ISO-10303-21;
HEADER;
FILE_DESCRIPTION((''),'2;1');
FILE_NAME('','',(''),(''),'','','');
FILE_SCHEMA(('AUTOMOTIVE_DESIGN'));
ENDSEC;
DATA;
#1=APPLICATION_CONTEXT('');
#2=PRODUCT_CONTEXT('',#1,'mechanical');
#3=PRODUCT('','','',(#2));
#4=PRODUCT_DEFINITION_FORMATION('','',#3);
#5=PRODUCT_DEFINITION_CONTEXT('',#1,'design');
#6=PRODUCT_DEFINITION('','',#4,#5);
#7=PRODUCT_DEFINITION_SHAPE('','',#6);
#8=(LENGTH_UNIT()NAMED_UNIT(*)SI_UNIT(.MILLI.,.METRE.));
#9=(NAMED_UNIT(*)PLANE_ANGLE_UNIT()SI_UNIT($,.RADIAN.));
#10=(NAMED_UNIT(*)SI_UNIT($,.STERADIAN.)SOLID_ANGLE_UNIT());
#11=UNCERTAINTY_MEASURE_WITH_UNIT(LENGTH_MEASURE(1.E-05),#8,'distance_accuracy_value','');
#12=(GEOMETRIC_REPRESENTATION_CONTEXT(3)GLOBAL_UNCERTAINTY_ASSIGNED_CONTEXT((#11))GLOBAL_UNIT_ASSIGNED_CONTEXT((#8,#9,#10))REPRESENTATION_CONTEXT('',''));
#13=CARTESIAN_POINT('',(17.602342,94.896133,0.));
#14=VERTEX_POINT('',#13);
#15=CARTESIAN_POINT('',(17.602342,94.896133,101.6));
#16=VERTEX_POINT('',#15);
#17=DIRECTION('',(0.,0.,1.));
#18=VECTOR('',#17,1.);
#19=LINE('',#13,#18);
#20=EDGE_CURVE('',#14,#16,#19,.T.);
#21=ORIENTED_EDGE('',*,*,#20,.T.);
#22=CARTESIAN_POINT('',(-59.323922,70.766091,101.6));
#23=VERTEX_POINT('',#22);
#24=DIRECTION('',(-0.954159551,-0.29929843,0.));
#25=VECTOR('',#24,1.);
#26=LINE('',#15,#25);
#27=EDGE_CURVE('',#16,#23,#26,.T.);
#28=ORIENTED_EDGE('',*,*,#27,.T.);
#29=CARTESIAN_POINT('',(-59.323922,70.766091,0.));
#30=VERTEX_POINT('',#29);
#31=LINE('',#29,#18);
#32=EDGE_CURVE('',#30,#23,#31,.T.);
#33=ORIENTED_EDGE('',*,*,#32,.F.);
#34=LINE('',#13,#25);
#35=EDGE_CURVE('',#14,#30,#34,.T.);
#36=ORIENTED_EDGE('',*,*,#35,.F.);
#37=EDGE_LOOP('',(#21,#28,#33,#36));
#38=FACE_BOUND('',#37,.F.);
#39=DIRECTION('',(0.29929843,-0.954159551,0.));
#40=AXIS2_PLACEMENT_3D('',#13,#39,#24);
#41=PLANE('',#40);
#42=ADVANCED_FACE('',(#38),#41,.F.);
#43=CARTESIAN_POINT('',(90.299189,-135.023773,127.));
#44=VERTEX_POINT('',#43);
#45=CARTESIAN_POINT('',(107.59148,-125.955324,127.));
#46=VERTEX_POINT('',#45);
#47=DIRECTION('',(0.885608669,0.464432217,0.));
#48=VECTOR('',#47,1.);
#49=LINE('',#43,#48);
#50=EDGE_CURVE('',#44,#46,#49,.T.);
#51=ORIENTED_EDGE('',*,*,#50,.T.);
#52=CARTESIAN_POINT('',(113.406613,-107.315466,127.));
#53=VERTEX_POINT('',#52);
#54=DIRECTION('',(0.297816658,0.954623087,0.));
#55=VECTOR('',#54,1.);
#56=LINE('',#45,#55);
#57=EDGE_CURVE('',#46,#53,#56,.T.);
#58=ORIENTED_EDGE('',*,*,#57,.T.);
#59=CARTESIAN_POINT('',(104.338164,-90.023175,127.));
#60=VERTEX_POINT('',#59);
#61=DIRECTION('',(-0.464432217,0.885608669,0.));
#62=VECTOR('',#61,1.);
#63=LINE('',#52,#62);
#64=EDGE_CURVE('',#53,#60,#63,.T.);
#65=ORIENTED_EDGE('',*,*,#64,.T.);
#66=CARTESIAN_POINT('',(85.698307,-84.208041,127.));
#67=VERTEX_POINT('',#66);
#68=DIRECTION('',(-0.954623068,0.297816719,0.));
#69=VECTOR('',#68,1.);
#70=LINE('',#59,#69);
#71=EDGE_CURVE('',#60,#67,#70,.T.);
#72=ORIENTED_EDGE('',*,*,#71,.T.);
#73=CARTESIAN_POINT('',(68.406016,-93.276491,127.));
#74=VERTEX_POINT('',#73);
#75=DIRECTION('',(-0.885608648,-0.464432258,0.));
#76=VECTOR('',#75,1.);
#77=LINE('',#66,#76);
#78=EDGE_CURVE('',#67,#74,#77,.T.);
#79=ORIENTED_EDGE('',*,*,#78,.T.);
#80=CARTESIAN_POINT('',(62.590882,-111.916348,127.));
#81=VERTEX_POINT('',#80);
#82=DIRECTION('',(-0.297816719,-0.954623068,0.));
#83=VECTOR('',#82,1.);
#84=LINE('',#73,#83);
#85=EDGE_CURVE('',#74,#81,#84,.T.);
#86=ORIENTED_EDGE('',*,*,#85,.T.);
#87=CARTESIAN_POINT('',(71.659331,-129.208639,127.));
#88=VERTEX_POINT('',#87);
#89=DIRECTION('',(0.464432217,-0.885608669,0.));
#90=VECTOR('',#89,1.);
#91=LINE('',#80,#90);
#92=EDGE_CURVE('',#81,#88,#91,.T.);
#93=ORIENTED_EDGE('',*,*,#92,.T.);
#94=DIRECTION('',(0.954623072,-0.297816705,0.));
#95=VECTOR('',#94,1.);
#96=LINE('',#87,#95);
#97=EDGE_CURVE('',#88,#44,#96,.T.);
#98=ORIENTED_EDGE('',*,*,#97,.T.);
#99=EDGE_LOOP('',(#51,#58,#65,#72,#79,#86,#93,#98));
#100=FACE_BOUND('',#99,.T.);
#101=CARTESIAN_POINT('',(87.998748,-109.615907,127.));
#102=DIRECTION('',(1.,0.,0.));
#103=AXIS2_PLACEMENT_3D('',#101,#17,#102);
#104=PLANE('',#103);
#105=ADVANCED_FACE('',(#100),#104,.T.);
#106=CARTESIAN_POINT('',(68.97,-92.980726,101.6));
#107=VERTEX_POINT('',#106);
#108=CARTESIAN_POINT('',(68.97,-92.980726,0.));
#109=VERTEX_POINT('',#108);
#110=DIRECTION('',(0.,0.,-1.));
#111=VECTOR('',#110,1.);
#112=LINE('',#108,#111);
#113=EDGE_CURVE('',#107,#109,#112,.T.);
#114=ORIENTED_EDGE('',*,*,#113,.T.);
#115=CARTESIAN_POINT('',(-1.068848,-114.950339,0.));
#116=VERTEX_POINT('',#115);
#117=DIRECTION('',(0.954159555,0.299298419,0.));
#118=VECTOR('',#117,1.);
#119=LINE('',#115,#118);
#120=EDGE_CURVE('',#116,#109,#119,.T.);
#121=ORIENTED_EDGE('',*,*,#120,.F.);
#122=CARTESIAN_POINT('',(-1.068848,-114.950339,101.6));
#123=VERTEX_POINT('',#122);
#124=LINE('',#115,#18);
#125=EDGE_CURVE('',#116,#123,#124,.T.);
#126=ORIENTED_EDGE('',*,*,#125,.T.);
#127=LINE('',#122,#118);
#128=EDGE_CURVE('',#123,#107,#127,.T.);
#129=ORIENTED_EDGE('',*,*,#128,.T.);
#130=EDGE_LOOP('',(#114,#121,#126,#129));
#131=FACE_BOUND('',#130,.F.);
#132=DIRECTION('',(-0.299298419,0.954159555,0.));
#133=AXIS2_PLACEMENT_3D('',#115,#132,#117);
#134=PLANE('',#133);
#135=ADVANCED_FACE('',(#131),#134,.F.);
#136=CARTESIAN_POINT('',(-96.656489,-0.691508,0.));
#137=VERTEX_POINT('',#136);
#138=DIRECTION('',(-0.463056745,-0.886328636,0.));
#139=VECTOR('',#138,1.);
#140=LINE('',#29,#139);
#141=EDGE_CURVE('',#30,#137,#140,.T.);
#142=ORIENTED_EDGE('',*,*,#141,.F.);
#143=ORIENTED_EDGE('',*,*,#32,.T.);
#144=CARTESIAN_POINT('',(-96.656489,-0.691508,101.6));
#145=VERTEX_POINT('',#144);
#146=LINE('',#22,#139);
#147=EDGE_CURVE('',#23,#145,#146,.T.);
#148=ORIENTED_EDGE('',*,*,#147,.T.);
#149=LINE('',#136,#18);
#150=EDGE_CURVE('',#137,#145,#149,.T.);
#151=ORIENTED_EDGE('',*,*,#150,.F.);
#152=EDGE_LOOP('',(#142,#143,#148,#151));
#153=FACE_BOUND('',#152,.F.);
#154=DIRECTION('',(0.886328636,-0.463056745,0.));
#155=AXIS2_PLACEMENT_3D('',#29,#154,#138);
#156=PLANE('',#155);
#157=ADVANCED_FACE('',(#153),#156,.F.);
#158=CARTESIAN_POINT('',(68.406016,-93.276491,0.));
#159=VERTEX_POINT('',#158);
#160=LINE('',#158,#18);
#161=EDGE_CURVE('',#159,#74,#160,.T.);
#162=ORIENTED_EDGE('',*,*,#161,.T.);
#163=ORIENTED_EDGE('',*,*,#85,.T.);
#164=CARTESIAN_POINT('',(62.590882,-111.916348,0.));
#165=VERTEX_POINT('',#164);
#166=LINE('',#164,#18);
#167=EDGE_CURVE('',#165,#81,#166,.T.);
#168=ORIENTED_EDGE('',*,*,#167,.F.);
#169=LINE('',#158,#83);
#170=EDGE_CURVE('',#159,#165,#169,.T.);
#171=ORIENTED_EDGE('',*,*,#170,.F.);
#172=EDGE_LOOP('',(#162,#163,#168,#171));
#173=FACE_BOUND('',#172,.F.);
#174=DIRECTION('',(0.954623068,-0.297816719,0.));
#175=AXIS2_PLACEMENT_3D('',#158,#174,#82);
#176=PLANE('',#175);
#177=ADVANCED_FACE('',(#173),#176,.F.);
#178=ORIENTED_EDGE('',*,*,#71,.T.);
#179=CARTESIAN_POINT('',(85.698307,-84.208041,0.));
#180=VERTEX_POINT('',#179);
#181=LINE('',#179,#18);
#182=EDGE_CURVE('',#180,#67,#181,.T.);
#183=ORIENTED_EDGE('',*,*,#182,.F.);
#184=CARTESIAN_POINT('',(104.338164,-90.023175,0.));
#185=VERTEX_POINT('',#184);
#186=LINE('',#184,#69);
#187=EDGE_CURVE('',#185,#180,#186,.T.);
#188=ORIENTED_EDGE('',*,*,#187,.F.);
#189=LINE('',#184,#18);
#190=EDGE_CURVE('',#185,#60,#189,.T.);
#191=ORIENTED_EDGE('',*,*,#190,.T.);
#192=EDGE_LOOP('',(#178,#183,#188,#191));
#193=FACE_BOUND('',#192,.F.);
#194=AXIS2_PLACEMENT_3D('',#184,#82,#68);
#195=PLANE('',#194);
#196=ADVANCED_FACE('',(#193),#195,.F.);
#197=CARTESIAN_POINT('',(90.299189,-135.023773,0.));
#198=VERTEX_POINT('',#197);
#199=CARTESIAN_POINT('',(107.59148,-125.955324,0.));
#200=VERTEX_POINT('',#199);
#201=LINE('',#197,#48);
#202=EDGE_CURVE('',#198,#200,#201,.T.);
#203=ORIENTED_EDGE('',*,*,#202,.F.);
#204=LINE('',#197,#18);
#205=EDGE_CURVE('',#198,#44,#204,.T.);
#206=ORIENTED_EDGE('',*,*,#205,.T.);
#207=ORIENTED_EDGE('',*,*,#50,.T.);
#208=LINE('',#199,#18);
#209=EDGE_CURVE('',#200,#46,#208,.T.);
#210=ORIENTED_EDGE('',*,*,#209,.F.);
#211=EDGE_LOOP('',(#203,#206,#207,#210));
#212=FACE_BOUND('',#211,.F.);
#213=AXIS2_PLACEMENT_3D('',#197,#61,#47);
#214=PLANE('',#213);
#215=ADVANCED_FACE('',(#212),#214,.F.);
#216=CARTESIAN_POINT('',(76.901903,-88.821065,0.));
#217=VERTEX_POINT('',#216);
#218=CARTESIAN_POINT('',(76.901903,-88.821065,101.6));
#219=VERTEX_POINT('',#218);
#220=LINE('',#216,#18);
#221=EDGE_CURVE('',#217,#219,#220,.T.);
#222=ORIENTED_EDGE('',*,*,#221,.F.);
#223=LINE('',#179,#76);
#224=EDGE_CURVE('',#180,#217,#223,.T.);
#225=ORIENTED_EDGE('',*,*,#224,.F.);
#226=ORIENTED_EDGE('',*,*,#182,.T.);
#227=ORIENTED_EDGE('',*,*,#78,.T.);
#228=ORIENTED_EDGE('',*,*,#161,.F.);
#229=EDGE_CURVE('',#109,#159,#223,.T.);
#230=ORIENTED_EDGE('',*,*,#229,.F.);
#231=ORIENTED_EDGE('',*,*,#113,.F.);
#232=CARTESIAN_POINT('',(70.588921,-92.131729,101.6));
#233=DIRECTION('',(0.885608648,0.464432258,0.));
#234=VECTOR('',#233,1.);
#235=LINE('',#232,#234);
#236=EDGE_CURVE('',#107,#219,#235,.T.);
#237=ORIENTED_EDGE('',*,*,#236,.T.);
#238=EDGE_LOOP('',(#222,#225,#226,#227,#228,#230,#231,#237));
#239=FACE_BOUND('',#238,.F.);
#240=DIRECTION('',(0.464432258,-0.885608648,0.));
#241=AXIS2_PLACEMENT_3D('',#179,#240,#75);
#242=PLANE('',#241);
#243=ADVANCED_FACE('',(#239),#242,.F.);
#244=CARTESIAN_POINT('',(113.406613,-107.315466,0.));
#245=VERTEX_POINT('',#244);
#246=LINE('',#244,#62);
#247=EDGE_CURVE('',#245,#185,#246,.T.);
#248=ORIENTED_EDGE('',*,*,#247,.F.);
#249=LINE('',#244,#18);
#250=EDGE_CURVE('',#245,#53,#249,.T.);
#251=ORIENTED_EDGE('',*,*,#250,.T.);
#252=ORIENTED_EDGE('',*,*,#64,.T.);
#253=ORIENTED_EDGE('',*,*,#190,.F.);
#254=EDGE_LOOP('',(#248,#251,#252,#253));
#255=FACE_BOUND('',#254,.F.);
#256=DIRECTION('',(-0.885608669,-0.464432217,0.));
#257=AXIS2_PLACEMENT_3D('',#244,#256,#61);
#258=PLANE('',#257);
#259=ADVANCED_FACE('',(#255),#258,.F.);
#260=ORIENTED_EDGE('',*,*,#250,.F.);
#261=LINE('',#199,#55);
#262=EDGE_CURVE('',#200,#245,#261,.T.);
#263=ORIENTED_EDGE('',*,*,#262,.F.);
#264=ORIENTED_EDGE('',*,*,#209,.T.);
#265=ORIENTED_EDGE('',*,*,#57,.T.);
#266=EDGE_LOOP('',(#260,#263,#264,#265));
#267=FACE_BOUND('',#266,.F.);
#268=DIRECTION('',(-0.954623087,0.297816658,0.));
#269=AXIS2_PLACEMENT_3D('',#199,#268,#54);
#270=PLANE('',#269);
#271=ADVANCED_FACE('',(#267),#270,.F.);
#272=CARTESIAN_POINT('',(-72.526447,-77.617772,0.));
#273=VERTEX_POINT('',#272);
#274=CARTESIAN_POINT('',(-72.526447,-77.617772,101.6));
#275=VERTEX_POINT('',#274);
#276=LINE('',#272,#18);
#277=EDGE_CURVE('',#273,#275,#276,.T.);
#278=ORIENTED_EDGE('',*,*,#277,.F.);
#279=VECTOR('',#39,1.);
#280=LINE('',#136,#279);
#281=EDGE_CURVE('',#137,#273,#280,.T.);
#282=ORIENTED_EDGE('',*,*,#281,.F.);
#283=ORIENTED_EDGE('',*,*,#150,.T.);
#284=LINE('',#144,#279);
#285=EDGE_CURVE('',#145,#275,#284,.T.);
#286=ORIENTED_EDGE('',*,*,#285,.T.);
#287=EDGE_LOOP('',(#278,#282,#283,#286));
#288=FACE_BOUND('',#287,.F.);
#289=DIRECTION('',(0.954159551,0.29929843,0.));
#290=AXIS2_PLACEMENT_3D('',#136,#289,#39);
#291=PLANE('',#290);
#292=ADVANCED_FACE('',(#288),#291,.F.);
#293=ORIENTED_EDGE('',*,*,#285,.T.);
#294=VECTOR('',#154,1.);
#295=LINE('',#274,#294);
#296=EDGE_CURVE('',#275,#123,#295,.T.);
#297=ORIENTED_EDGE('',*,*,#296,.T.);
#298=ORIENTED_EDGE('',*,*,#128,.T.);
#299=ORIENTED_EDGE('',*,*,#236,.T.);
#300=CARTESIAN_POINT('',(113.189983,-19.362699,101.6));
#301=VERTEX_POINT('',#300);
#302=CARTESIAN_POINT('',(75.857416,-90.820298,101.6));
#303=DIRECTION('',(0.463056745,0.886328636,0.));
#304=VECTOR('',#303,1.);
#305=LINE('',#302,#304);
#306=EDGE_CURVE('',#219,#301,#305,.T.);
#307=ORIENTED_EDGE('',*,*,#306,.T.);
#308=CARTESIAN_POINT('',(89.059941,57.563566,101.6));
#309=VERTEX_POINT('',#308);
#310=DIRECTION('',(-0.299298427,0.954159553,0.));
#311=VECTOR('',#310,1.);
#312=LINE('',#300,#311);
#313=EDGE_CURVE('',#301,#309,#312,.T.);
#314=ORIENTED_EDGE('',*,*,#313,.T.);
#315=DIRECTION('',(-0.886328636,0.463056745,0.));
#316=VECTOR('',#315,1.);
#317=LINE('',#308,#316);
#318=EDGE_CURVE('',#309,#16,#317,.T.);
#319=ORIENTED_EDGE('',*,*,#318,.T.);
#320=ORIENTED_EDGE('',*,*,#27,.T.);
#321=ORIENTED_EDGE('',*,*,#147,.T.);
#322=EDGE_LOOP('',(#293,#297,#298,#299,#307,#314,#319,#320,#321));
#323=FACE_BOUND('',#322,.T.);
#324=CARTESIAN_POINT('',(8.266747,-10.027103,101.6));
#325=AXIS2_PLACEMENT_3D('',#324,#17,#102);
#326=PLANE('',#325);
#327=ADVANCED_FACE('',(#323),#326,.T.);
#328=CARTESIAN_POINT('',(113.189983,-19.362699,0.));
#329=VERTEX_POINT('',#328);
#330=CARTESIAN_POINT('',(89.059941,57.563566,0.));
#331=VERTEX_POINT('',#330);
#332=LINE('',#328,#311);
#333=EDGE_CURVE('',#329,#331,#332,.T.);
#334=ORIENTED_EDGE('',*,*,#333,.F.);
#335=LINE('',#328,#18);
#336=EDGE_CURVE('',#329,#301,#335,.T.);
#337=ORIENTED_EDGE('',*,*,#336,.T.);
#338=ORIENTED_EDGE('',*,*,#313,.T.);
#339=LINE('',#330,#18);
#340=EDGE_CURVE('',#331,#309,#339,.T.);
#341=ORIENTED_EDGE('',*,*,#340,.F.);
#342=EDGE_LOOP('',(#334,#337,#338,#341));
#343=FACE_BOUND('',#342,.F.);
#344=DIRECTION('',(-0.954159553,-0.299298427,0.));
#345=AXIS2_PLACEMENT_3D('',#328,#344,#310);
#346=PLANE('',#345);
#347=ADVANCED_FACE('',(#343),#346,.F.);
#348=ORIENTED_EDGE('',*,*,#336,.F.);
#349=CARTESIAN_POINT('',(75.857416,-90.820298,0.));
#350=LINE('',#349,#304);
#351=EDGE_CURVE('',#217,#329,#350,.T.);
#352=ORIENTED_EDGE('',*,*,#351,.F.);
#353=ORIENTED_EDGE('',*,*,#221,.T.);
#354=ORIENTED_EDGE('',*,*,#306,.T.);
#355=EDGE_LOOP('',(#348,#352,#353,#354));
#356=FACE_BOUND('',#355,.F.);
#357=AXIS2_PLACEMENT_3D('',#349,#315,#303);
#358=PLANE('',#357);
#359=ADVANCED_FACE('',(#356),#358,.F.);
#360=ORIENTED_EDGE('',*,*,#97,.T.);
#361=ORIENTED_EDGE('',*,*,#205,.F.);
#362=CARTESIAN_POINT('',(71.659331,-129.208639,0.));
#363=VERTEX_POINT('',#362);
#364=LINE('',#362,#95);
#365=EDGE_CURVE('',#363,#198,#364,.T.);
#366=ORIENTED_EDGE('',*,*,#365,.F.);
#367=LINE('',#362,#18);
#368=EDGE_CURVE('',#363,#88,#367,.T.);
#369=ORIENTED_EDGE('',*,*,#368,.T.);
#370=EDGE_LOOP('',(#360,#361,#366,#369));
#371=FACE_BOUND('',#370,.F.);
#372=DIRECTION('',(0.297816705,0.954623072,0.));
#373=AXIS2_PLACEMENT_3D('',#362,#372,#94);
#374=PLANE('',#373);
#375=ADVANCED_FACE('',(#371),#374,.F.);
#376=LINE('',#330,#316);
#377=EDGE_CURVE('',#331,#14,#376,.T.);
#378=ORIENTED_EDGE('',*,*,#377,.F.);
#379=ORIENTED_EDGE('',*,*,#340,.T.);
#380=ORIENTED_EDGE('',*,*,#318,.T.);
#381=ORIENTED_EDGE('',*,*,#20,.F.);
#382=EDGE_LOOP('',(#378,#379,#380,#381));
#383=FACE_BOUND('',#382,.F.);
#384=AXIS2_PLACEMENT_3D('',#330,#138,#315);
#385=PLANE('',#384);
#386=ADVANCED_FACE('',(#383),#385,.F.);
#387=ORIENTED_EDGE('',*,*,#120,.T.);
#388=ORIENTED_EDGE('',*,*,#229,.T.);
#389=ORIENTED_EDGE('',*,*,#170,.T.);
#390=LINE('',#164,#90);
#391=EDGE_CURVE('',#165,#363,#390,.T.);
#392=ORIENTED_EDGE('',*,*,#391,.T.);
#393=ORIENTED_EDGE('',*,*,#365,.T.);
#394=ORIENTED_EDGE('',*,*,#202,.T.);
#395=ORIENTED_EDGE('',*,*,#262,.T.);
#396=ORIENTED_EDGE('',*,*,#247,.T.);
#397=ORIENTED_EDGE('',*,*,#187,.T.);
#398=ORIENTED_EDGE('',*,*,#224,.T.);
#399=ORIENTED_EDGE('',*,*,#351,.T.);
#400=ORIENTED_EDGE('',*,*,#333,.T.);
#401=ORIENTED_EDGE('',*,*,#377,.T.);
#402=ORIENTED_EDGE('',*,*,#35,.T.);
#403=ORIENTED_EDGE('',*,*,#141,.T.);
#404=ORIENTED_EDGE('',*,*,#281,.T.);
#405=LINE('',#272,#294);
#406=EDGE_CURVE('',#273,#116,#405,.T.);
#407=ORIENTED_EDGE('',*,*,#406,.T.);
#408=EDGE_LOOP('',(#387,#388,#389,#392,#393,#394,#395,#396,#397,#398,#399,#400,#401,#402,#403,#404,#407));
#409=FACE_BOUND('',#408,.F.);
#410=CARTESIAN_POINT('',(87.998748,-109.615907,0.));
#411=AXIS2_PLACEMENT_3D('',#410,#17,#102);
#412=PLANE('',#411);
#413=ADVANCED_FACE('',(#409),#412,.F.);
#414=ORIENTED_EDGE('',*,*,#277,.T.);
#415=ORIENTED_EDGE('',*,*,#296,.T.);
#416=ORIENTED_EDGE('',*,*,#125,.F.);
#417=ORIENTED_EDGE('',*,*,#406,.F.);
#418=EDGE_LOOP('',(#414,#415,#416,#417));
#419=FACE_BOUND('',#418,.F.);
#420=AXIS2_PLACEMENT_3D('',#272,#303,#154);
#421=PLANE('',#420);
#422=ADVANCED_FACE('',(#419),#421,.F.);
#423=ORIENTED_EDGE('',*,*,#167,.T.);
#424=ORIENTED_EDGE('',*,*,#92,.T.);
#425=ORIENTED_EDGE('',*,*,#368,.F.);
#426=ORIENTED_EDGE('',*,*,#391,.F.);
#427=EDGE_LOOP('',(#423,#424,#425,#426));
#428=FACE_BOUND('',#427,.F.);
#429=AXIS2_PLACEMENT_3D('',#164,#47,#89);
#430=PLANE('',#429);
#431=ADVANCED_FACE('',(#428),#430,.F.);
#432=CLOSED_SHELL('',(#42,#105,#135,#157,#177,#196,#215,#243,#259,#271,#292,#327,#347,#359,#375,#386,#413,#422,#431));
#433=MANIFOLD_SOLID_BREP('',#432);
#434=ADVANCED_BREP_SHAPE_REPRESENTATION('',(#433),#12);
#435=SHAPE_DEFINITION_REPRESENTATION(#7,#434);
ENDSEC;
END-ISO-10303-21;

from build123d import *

# Parameters (mm, degrees)
F1_DEPTH = 101.6
F3_DEPTH = 127


with BuildPart() as f1:
    # F0 (on Top) → F1 (new body)
    with BuildSketch(Plane.XY):
        Polygon((-1.068848, -114.950339), (75.857416, -90.820298), (113.189983, -19.362699), (89.059941, 57.563566), (17.602342, 94.896133), (-59.323922, 70.766091), (-96.656489, -0.691508), (-72.526447, -77.617772), align=None)
    extrude(amount=F1_DEPTH)

    # F2 (on Top) → F3 (join)
    with BuildSketch(Plane.XY):
        Polygon((71.659331, -129.208639), (90.299189, -135.023773), (107.59148, -125.955324), (113.406613, -107.315466), (104.338164, -90.023175), (85.698307, -84.208041), (68.406016, -93.276491), (62.590882, -111.916348), align=None)
    extrude(amount=F3_DEPTH)


solid = f1.part
